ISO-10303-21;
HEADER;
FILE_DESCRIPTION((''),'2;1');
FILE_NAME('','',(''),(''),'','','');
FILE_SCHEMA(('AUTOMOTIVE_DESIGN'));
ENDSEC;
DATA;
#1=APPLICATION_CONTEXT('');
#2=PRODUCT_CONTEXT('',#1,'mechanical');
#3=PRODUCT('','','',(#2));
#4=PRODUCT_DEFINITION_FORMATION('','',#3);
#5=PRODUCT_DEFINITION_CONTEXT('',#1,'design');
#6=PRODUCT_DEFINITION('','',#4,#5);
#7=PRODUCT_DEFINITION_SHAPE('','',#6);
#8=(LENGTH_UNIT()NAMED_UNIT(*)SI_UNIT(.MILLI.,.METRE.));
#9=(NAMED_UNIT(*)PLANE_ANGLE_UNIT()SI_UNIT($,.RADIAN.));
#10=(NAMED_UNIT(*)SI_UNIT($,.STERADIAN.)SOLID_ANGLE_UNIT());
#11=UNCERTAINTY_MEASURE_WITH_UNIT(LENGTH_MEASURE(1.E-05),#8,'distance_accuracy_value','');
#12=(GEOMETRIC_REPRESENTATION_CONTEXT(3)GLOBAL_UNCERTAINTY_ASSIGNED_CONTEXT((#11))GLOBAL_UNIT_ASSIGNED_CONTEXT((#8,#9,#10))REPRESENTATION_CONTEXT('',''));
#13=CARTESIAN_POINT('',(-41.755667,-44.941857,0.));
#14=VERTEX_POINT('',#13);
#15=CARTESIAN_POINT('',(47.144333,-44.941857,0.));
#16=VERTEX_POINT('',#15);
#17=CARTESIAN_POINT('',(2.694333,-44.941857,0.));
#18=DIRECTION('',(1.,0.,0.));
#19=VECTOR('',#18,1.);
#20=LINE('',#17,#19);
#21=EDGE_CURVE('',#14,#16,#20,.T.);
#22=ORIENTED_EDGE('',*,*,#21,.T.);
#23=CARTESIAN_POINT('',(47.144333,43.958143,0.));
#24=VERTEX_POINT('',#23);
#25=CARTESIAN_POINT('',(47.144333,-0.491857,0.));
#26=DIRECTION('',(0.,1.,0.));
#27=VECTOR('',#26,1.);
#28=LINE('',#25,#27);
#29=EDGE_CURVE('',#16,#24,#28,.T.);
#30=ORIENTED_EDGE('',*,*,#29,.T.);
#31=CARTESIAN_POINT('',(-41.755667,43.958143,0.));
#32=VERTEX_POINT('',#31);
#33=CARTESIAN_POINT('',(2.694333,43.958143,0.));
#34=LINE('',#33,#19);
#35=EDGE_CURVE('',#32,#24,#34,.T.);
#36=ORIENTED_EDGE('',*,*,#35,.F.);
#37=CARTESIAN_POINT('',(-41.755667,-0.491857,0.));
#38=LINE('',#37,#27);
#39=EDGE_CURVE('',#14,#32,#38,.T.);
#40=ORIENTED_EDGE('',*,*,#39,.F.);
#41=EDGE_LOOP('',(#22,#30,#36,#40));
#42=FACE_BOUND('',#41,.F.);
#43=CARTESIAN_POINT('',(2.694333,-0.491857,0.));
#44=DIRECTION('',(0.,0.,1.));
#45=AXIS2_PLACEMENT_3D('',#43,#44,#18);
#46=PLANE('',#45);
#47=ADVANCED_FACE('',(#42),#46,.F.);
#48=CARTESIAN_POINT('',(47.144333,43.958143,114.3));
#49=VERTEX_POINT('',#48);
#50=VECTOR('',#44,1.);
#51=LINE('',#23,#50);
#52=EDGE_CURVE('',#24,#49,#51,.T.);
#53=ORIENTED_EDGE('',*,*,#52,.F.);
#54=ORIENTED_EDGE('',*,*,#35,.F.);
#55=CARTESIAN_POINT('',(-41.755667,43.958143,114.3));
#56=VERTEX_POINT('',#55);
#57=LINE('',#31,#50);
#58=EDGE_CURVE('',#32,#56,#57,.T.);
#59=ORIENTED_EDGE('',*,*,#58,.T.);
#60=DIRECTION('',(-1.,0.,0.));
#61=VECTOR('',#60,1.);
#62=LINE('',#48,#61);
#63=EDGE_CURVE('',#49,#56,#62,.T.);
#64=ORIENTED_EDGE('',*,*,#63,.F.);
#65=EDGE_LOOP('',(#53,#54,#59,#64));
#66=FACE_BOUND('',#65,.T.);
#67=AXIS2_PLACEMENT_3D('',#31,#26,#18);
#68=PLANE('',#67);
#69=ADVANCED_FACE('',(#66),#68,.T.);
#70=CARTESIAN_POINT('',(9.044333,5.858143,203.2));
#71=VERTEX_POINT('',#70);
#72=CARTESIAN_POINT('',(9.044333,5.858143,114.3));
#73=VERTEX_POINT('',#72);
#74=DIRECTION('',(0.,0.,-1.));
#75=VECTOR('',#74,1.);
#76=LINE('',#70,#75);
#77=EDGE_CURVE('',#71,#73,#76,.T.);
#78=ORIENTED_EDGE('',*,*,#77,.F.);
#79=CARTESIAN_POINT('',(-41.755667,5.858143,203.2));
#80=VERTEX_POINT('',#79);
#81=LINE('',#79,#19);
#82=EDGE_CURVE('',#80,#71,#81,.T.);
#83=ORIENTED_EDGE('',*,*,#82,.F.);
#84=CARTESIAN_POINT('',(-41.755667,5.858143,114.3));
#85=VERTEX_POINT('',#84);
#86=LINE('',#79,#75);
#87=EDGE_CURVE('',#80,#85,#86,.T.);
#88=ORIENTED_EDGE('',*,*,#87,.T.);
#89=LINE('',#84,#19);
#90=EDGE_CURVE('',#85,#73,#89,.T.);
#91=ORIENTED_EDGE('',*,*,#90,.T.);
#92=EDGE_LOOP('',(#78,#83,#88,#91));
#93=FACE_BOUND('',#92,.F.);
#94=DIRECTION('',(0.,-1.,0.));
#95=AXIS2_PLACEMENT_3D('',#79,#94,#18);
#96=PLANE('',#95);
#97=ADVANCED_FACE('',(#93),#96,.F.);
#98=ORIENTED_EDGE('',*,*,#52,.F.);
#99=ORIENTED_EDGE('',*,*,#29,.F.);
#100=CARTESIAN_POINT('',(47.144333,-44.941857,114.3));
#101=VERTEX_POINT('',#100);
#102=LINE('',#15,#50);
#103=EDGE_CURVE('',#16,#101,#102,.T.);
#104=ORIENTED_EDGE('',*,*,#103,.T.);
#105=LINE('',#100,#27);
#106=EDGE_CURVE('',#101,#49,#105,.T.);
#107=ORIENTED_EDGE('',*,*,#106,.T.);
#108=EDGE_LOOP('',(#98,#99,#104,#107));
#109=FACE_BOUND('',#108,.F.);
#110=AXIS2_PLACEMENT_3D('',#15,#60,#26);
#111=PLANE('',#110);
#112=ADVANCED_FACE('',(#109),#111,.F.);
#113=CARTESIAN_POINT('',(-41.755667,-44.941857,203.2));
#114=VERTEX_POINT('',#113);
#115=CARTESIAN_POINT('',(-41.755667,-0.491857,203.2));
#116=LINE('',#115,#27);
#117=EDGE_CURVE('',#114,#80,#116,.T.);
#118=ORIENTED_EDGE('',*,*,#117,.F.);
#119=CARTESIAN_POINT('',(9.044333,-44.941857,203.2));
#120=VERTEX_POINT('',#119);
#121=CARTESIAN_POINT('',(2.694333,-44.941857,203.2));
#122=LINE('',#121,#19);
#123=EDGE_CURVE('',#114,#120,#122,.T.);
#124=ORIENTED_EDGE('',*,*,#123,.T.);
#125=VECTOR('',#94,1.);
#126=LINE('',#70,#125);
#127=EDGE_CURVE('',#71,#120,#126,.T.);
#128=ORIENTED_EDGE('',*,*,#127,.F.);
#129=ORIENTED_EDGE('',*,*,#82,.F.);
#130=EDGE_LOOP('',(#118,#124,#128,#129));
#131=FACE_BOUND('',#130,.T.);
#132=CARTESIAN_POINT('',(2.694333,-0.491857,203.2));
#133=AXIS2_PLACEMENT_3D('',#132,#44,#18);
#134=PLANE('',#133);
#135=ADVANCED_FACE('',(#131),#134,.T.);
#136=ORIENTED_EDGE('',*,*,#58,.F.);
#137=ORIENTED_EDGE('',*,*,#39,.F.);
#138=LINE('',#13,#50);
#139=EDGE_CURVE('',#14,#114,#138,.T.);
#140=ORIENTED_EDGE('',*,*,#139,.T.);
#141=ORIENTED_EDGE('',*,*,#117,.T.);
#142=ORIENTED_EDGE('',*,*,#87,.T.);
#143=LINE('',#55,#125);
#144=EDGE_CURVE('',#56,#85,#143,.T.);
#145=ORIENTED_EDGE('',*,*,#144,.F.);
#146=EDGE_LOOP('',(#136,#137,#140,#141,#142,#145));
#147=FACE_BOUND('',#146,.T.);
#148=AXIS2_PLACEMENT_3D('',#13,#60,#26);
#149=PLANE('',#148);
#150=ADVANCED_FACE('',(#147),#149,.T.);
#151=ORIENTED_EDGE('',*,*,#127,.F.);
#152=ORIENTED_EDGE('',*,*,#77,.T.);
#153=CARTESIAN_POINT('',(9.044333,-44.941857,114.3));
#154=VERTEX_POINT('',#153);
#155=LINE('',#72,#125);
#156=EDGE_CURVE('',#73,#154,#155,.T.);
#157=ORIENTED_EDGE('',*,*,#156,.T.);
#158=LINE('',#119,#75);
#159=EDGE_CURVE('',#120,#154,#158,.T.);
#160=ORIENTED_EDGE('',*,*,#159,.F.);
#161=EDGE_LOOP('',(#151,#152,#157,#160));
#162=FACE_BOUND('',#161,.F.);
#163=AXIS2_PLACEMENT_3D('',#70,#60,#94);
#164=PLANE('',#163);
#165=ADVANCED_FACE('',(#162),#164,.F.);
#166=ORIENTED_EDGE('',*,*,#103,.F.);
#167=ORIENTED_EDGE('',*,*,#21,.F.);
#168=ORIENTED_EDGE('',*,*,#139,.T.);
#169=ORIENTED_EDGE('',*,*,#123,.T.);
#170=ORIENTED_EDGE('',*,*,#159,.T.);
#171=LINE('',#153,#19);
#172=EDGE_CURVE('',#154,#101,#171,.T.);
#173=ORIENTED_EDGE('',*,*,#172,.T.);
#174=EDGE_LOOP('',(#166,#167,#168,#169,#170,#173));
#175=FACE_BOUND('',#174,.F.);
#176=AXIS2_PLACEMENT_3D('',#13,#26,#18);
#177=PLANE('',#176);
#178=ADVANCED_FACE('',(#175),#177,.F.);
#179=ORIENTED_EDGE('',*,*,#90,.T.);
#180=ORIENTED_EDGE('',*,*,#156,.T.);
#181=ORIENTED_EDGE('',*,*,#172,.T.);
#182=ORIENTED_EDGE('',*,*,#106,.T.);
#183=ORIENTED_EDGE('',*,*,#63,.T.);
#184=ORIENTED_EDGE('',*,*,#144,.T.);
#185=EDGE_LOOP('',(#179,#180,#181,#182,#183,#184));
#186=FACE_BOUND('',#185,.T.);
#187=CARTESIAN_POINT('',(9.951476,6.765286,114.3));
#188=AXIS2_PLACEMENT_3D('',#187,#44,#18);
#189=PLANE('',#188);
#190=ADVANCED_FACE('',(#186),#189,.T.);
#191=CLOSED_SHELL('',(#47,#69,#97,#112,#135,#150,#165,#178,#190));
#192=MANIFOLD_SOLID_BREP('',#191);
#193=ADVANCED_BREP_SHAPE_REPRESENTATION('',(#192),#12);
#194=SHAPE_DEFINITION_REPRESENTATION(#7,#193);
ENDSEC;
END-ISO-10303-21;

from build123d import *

# Parameters (mm, degrees)
F0_W     = 88.9
F0_H     = 88.9
F1_DEPTH = 203.2
F3_DEPTH = 88.9


with BuildPart() as f1:
    # F0 (on Top) → F1 (new body)
    with BuildSketch(Plane.XY):
        with Locations((2.694333, -0.491857)):
            Rectangle(F0_W, F0_H)
    extrude(amount=F1_DEPTH)

    # F2 (on face) → F3 (cut)
    with BuildSketch(Plane.XY.offset(203.2)):
        Polygon((9.044333, 43.958143), (-41.755667, 43.958143), (-41.755667, 5.858143), (9.044333, 5.858143), (9.044333, -44.941857), (47.144333, -44.941857), (47.144333, 5.858143), (47.144333, 43.958143), align=None)
    extrude(amount=-F3_DEPTH, mode=Mode.SUBTRACT)


solid = f1.part
